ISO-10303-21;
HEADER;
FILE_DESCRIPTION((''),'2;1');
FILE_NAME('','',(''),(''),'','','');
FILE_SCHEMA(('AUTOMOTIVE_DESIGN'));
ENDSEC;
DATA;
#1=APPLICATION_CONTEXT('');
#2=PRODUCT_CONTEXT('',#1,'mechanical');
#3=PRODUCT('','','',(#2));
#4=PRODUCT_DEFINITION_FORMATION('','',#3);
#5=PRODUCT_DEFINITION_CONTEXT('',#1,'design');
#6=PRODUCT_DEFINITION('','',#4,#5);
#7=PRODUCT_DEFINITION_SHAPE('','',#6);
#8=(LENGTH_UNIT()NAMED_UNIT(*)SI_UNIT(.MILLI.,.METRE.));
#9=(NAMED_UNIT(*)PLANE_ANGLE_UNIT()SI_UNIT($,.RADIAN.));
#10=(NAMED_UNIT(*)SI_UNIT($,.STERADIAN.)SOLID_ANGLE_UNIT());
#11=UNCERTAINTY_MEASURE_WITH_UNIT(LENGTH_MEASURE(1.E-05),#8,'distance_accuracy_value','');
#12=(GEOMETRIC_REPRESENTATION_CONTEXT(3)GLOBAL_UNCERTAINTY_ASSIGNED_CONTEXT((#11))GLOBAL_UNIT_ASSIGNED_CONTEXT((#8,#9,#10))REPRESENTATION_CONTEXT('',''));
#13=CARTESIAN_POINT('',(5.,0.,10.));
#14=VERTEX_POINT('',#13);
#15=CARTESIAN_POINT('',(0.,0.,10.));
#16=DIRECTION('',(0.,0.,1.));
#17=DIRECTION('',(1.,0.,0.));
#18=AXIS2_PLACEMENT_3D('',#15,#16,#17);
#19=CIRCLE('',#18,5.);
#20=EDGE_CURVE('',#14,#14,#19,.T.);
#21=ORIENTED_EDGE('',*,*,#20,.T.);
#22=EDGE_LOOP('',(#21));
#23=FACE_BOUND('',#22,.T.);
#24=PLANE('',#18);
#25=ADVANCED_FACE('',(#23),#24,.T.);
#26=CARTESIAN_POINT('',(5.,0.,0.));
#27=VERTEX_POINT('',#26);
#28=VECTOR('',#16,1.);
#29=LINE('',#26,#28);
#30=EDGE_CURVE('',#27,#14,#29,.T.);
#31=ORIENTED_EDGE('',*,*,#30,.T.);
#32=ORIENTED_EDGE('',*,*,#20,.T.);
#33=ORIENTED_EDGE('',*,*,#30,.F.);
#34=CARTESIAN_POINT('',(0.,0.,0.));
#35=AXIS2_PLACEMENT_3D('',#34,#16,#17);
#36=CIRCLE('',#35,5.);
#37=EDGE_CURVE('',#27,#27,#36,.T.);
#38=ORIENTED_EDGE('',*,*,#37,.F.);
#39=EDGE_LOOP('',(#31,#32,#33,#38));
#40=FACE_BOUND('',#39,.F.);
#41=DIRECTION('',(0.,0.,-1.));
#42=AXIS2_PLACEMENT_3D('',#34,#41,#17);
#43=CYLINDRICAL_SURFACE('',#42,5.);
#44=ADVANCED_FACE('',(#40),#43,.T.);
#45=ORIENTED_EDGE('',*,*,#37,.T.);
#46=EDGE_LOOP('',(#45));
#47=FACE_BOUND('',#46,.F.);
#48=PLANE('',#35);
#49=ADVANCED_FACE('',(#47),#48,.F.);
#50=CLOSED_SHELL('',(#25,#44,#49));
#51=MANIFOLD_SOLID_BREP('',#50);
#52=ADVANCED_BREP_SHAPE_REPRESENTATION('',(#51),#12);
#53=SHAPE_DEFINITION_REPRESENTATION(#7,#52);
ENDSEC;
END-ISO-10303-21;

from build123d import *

# Parameters (mm, degrees)
SKETCH1_R           = 5
BOSS_EXTRUDE1_DEPTH = 10


with BuildPart() as part:
    # Sketch1 → Boss-Extrude1 (new body)
    with BuildSketch(Plane.XY):
        Circle(SKETCH1_R)
    extrude(amount=BOSS_EXTRUDE1_DEPTH)


solid = part.part
